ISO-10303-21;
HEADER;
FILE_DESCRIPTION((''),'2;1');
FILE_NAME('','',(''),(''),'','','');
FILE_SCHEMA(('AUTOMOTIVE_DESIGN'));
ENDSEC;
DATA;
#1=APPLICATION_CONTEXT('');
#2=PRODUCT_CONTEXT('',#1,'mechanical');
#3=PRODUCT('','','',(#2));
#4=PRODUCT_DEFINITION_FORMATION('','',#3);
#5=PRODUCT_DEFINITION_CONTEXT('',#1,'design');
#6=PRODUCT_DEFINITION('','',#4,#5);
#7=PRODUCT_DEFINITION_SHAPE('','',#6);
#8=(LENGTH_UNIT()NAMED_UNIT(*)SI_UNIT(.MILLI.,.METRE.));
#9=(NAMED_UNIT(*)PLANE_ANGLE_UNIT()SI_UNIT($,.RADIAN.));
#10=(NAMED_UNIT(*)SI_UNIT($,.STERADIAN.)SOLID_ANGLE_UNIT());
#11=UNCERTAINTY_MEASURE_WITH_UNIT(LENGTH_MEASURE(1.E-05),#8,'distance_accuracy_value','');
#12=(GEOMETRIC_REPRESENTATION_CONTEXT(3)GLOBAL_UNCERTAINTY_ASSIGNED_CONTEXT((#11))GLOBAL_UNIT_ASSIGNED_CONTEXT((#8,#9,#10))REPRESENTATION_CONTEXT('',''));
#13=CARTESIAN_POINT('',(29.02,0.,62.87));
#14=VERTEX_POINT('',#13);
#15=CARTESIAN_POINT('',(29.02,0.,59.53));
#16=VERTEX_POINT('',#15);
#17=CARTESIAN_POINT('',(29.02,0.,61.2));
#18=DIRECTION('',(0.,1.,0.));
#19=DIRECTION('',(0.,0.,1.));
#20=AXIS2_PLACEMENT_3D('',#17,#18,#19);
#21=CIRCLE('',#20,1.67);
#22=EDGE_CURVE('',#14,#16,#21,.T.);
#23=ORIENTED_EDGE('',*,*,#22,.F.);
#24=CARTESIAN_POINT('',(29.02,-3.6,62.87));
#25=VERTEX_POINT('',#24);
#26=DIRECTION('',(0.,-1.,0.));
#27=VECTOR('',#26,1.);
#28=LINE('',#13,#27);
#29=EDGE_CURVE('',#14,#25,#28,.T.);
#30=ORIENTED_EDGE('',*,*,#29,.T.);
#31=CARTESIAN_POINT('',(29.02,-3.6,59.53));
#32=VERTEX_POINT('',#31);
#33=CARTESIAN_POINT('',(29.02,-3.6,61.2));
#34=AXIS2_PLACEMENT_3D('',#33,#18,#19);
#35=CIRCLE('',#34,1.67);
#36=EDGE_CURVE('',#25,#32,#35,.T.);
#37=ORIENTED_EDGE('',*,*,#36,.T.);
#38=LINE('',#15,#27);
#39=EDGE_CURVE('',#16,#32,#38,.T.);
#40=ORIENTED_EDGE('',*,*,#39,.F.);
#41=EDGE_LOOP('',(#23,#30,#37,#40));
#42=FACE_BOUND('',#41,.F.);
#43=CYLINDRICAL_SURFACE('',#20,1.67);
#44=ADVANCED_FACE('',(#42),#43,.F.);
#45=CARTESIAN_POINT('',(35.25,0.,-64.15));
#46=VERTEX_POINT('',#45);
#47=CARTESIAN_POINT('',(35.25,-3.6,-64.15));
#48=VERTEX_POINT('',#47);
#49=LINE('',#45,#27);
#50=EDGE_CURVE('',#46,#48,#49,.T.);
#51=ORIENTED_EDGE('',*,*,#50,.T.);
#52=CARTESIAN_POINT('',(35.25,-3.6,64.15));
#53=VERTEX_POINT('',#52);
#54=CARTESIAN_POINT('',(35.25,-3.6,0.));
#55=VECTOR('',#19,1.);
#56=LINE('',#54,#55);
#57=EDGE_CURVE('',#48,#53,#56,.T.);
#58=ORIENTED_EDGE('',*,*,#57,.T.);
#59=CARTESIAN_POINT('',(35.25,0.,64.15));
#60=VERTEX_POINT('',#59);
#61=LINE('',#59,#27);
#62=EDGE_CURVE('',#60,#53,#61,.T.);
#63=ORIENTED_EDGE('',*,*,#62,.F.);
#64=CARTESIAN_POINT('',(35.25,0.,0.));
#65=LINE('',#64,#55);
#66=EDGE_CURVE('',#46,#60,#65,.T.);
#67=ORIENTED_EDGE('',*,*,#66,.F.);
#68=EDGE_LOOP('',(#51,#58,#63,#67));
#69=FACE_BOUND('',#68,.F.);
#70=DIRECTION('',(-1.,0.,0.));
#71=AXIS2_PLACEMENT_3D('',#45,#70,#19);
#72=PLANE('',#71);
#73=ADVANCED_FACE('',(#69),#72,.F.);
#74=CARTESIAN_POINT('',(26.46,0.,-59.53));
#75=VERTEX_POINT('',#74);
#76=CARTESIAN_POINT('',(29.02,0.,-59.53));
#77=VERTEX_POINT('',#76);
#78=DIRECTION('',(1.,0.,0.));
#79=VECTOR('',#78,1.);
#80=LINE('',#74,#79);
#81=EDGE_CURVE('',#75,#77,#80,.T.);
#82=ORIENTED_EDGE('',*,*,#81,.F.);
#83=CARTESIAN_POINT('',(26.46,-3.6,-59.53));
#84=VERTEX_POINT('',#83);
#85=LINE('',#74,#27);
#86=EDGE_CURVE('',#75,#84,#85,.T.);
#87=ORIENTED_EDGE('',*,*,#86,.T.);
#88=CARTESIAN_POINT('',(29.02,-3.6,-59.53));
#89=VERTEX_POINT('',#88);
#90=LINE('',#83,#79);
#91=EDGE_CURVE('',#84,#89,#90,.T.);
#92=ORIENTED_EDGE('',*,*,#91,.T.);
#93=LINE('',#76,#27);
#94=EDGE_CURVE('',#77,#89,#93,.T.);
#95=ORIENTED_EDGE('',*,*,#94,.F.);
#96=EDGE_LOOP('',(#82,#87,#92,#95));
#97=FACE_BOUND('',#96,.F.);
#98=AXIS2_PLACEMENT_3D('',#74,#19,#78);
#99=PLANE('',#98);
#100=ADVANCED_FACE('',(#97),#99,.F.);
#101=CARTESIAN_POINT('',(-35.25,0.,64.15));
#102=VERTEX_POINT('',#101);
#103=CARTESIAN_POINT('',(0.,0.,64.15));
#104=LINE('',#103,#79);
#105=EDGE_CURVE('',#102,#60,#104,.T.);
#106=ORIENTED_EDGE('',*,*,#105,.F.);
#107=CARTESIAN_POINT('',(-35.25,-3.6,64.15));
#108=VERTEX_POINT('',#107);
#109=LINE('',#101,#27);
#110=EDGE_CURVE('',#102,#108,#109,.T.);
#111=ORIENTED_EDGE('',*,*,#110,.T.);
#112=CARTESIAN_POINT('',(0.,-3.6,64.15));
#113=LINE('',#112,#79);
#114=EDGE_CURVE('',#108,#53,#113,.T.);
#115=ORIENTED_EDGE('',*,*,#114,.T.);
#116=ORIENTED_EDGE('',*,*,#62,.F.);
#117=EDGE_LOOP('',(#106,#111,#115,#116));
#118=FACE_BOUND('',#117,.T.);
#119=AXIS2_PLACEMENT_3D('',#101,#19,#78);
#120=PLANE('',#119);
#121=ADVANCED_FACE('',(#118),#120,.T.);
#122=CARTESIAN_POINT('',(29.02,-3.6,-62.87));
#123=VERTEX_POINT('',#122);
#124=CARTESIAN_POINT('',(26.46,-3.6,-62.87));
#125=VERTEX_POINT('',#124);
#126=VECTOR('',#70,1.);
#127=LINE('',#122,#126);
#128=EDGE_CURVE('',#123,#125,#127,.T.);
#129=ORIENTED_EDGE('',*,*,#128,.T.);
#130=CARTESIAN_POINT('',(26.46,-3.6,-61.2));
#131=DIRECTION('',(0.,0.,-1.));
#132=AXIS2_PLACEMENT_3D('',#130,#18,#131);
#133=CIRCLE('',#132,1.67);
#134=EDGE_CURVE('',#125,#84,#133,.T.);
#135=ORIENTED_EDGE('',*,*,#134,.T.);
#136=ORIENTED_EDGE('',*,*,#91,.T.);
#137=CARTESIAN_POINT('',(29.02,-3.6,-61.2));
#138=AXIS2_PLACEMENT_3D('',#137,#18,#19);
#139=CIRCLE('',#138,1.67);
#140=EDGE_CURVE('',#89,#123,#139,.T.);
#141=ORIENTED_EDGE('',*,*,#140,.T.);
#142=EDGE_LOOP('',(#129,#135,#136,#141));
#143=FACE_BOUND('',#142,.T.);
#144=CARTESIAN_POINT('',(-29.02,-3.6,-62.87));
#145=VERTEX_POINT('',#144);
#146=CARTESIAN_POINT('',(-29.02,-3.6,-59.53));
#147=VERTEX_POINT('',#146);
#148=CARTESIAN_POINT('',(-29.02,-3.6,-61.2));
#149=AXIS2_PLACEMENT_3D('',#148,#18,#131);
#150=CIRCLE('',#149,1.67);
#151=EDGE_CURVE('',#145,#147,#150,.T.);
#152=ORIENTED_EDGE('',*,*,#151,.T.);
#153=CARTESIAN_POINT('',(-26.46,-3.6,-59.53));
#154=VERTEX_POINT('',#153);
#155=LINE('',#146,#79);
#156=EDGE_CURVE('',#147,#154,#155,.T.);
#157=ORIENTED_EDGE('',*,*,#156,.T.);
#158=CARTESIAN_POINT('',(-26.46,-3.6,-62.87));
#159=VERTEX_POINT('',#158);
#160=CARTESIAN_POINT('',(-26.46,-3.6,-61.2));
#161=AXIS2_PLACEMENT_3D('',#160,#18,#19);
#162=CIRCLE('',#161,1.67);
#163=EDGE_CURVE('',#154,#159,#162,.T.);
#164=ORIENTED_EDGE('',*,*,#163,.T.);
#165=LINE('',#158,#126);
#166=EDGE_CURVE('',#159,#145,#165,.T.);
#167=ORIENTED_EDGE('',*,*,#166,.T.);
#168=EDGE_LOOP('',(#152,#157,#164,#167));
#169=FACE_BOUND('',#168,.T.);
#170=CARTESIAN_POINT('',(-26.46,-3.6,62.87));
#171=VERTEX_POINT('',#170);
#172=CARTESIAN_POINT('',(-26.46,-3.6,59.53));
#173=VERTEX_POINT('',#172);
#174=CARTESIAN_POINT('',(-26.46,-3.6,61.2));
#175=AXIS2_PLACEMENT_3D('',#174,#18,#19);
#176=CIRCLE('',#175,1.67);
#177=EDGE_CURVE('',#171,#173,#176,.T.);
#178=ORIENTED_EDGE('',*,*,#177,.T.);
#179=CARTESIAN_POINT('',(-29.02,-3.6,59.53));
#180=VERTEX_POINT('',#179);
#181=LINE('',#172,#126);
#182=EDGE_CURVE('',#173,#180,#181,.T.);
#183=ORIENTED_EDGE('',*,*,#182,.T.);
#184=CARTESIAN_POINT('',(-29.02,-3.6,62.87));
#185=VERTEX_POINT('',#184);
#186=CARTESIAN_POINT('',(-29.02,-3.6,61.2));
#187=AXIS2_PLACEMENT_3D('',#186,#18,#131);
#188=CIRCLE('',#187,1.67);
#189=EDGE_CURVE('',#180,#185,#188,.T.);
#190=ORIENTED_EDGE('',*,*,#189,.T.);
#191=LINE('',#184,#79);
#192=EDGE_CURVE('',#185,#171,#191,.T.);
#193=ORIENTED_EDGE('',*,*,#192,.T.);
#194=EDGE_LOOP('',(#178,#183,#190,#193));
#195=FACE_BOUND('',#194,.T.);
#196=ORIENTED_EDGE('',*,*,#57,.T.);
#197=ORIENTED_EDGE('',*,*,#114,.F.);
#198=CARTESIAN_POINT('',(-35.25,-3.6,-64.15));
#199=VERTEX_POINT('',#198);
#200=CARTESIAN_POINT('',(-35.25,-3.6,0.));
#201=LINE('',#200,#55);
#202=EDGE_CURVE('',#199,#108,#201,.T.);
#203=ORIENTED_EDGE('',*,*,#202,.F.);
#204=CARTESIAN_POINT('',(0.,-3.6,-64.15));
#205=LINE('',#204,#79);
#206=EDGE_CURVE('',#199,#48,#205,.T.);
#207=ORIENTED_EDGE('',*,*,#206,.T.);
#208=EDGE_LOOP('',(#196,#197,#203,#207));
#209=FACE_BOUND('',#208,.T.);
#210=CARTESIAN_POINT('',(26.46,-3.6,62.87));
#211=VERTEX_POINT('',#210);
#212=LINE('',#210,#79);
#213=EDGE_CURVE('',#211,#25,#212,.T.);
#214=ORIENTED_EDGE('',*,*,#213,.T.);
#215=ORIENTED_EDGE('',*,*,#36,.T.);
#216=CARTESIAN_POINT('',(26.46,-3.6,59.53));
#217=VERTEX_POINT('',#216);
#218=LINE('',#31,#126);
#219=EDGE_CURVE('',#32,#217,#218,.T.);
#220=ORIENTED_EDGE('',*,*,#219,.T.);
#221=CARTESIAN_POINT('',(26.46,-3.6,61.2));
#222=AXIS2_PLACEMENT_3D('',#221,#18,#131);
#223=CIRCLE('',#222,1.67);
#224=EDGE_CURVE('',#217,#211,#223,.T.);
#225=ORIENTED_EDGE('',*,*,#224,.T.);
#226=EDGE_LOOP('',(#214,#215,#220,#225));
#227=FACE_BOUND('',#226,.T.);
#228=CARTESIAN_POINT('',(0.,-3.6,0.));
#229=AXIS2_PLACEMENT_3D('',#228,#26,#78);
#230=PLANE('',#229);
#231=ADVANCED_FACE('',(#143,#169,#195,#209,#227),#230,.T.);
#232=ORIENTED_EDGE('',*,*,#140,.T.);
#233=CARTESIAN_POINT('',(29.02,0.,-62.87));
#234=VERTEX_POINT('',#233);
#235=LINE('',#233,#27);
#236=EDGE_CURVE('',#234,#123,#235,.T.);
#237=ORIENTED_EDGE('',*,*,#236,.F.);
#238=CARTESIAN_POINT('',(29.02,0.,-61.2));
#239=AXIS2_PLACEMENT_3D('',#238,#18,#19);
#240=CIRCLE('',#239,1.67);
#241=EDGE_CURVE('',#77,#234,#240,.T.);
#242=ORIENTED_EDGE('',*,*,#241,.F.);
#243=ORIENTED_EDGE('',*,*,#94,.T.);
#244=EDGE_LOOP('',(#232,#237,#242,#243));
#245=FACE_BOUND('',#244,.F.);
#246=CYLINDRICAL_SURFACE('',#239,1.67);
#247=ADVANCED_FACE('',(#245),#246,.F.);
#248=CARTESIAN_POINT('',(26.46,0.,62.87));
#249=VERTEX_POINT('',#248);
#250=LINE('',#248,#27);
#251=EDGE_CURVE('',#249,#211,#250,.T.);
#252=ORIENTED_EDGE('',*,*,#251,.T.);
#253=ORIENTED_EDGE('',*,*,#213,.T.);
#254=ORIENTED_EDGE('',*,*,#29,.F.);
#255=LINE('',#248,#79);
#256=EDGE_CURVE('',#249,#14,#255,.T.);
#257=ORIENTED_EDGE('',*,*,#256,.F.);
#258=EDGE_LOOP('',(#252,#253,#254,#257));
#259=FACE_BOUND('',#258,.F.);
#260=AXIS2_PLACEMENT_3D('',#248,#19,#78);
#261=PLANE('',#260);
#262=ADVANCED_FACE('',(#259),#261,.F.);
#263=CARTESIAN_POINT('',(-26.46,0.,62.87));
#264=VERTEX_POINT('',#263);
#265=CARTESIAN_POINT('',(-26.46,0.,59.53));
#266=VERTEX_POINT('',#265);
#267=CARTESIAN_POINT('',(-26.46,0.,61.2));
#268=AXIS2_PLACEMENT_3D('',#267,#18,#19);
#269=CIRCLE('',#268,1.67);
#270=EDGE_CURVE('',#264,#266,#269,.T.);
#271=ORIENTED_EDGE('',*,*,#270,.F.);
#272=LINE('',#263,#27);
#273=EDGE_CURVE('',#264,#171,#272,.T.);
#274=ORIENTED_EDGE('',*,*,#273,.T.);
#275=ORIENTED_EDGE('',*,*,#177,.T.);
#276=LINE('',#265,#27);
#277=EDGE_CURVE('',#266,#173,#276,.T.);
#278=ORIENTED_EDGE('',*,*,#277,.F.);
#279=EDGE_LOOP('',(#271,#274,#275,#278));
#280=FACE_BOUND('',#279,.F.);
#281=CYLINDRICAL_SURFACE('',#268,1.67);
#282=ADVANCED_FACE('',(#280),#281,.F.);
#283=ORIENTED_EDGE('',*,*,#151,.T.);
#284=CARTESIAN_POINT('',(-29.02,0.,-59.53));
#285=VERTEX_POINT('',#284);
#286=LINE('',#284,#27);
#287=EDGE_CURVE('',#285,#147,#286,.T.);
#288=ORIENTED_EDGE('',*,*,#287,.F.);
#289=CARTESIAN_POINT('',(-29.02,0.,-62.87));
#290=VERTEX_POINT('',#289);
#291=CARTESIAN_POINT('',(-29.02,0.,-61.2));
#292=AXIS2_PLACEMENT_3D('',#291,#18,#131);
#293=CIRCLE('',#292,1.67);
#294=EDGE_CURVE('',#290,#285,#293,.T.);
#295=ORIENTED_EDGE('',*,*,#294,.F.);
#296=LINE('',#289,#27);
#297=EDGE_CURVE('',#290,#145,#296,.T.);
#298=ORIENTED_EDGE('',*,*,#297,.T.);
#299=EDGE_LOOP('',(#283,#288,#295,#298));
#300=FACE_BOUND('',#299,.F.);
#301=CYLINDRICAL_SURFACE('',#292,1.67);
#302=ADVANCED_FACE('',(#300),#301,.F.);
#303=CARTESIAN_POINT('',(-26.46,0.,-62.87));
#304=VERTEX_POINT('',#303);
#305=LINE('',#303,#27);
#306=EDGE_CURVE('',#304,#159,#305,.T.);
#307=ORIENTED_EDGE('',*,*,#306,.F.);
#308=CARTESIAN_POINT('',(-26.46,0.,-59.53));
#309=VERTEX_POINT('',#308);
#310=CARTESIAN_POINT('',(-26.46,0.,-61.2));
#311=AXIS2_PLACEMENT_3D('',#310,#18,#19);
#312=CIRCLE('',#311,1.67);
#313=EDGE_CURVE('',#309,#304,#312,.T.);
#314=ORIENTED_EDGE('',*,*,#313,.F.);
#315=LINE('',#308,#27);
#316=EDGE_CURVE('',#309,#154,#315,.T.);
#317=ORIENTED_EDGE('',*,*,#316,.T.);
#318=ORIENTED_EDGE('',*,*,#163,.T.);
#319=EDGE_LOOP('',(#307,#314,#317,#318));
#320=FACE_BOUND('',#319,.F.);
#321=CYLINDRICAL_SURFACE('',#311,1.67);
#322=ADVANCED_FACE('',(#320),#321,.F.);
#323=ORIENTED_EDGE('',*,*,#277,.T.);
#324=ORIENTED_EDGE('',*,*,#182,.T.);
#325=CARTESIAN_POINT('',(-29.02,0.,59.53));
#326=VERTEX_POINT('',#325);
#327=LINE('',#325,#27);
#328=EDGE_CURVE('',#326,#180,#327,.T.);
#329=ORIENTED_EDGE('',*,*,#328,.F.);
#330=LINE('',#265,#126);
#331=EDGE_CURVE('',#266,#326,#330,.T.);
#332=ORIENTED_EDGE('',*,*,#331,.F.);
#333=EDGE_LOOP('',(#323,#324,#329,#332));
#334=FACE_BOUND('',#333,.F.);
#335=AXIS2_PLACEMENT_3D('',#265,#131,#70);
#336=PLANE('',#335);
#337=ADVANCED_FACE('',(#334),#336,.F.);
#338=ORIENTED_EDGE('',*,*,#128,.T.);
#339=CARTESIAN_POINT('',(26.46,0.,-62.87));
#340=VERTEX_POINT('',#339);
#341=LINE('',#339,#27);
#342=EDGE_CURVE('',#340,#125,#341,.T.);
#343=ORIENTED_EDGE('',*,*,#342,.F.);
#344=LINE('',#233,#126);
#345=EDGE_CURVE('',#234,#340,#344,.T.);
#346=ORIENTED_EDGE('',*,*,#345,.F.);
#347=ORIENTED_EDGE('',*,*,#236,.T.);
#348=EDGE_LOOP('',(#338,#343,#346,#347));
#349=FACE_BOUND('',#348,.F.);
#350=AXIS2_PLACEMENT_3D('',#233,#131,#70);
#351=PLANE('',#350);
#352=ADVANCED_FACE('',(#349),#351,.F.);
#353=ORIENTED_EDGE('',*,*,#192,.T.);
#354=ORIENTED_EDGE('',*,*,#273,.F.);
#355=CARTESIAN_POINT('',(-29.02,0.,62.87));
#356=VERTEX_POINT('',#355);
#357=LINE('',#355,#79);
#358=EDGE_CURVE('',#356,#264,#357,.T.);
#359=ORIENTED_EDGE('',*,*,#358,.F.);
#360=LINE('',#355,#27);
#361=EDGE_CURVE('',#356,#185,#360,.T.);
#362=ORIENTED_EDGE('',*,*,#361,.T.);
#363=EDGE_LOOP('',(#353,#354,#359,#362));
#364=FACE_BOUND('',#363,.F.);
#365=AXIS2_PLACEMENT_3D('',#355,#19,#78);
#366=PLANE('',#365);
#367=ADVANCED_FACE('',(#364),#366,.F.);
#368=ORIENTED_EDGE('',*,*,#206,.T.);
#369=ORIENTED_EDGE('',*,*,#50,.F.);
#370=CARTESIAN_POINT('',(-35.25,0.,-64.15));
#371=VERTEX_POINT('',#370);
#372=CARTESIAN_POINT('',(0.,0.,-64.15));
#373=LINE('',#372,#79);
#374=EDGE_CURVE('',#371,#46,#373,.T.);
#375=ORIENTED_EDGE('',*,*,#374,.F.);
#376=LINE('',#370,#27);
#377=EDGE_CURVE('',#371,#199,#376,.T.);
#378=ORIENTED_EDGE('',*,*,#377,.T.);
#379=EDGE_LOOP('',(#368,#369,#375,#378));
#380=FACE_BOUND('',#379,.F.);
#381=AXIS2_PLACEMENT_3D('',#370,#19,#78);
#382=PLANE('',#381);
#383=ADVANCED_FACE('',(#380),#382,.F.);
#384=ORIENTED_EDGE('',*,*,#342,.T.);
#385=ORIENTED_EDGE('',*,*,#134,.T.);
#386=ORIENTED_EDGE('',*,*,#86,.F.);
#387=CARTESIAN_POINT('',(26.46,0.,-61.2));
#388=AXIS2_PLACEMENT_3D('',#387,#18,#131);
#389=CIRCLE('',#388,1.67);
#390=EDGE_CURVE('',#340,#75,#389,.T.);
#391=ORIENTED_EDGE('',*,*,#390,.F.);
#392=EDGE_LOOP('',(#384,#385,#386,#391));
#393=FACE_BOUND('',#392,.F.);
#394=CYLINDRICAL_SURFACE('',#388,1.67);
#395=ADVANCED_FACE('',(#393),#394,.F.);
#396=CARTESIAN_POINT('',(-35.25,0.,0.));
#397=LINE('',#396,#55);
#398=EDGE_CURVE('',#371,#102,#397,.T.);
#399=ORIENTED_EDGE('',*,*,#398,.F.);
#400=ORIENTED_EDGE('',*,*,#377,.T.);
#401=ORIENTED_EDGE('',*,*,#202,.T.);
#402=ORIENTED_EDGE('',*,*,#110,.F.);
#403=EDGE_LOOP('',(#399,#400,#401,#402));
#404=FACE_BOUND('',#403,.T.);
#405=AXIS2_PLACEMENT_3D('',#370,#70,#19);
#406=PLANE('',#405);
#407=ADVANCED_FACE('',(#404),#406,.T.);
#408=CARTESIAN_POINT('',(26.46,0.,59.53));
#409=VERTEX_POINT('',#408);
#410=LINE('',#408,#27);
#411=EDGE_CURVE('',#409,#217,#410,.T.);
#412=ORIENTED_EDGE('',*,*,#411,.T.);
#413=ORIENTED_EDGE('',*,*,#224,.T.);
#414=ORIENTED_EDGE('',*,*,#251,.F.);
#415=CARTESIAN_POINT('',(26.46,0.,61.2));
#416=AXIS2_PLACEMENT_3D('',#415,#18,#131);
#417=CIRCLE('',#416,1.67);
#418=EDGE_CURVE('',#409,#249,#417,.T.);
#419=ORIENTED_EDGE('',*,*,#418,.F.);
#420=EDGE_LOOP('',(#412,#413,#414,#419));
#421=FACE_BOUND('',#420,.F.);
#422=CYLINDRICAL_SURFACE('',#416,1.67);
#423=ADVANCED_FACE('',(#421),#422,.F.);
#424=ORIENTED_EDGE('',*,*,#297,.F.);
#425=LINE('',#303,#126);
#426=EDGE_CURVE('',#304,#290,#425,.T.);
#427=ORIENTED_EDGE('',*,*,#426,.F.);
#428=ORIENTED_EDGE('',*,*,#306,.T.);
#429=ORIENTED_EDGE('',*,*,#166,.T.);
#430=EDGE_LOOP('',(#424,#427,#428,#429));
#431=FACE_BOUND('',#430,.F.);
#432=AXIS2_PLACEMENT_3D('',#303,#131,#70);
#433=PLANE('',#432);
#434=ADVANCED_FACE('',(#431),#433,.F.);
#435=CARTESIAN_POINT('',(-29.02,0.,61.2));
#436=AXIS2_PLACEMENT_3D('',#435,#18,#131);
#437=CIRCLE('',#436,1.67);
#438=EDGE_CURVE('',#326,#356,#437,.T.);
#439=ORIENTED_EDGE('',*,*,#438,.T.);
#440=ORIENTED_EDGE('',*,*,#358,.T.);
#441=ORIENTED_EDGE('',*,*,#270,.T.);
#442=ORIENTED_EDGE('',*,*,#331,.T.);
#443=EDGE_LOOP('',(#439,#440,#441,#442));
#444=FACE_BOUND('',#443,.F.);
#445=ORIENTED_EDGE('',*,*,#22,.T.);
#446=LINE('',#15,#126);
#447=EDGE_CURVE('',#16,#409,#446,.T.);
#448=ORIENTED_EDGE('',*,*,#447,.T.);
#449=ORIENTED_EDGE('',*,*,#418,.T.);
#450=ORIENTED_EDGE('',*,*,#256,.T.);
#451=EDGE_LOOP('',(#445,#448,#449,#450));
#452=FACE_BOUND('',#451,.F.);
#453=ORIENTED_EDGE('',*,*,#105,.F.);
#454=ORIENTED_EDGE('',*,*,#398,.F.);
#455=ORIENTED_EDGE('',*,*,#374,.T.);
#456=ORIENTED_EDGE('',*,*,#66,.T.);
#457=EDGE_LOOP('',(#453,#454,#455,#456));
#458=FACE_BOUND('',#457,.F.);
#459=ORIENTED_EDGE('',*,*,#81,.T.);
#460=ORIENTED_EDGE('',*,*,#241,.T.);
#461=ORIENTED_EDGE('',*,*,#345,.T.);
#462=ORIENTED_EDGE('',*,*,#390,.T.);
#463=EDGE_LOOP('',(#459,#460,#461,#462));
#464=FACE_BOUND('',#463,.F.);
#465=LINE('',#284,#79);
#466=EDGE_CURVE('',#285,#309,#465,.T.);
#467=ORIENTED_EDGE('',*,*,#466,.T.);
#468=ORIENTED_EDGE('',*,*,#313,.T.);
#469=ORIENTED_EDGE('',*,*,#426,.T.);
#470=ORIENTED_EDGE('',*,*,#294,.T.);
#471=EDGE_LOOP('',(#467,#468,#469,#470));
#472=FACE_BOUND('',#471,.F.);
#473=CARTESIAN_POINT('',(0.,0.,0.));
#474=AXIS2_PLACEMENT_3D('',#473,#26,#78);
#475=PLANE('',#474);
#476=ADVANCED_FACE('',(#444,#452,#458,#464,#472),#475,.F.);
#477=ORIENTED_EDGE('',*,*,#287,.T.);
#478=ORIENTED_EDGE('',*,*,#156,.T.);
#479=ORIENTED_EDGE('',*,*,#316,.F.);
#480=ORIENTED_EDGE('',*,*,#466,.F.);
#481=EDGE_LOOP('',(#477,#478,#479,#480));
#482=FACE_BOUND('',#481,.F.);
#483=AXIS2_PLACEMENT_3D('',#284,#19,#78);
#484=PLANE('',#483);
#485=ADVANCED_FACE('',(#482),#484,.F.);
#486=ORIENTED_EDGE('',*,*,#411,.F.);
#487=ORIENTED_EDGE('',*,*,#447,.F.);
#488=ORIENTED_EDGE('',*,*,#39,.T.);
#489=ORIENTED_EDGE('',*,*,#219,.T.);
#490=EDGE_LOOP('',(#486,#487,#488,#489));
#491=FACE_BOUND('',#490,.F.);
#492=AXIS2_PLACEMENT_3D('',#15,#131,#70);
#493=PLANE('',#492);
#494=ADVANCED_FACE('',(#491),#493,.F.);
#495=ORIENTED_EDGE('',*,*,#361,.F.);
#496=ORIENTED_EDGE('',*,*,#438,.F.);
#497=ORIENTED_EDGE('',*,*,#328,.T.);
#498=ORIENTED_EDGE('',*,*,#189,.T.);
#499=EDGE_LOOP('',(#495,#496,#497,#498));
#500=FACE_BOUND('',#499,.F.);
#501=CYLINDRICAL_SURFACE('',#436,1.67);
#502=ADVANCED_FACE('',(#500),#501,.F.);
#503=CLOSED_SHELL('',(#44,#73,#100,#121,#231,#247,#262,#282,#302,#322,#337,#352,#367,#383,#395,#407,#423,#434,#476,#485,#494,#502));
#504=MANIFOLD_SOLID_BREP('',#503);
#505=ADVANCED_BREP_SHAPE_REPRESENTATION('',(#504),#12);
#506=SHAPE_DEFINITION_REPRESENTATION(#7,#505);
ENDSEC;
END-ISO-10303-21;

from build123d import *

# Parameters (mm, degrees)
F0_W     = 70.5
F0_H     = 128.3
F1_DEPTH = 3.6


with BuildPart() as f1:
    # F0 (on Front) → F1 (new body)
    with BuildSketch(Plane.XZ):
        Rectangle(F0_W, F0_H)
        with BuildLine():
            Line((-26.46, -62.87), (-29.02, -62.87))
            ThreePointArc((-29.02, -62.87), (-30.69, -61.2), (-29.02, -59.53))
            Line((-29.02, -59.53), (-26.46, -59.53))
            ThreePointArc((-26.46, -59.53), (-24.79, -61.2), (-26.46, -62.87))
        make_face(mode=Mode.SUBTRACT)
        with BuildLine():
            ThreePointArc((26.46, -62.87), (24.79, -61.2), (26.46, -59.53))
            Line((26.46, -59.53), (29.02, -59.53))
            ThreePointArc((29.02, -59.53), (30.69, -61.2), (29.02, -62.87))
            Line((29.02, -62.87), (26.46, -62.87))
        make_face(mode=Mode.SUBTRACT)
        with BuildLine():
            ThreePointArc((-29.02, 59.53), (-30.69, 61.2), (-29.02, 62.87))
            Line((-29.02, 62.87), (-26.46, 62.87))
            ThreePointArc((-26.46, 62.87), (-24.79, 61.2), (-26.46, 59.53))
            Line((-26.46, 59.53), (-29.02, 59.53))
        make_face(mode=Mode.SUBTRACT)
        with BuildLine():
            Line((26.46, 62.87), (29.02, 62.87))
            ThreePointArc((29.02, 62.87), (30.69, 61.2), (29.02, 59.53))
            Line((29.02, 59.53), (26.46, 59.53))
            ThreePointArc((26.46, 59.53), (24.79, 61.2), (26.46, 62.87))
        make_face(mode=Mode.SUBTRACT)
    extrude(amount=F1_DEPTH)


solid = f1.part
